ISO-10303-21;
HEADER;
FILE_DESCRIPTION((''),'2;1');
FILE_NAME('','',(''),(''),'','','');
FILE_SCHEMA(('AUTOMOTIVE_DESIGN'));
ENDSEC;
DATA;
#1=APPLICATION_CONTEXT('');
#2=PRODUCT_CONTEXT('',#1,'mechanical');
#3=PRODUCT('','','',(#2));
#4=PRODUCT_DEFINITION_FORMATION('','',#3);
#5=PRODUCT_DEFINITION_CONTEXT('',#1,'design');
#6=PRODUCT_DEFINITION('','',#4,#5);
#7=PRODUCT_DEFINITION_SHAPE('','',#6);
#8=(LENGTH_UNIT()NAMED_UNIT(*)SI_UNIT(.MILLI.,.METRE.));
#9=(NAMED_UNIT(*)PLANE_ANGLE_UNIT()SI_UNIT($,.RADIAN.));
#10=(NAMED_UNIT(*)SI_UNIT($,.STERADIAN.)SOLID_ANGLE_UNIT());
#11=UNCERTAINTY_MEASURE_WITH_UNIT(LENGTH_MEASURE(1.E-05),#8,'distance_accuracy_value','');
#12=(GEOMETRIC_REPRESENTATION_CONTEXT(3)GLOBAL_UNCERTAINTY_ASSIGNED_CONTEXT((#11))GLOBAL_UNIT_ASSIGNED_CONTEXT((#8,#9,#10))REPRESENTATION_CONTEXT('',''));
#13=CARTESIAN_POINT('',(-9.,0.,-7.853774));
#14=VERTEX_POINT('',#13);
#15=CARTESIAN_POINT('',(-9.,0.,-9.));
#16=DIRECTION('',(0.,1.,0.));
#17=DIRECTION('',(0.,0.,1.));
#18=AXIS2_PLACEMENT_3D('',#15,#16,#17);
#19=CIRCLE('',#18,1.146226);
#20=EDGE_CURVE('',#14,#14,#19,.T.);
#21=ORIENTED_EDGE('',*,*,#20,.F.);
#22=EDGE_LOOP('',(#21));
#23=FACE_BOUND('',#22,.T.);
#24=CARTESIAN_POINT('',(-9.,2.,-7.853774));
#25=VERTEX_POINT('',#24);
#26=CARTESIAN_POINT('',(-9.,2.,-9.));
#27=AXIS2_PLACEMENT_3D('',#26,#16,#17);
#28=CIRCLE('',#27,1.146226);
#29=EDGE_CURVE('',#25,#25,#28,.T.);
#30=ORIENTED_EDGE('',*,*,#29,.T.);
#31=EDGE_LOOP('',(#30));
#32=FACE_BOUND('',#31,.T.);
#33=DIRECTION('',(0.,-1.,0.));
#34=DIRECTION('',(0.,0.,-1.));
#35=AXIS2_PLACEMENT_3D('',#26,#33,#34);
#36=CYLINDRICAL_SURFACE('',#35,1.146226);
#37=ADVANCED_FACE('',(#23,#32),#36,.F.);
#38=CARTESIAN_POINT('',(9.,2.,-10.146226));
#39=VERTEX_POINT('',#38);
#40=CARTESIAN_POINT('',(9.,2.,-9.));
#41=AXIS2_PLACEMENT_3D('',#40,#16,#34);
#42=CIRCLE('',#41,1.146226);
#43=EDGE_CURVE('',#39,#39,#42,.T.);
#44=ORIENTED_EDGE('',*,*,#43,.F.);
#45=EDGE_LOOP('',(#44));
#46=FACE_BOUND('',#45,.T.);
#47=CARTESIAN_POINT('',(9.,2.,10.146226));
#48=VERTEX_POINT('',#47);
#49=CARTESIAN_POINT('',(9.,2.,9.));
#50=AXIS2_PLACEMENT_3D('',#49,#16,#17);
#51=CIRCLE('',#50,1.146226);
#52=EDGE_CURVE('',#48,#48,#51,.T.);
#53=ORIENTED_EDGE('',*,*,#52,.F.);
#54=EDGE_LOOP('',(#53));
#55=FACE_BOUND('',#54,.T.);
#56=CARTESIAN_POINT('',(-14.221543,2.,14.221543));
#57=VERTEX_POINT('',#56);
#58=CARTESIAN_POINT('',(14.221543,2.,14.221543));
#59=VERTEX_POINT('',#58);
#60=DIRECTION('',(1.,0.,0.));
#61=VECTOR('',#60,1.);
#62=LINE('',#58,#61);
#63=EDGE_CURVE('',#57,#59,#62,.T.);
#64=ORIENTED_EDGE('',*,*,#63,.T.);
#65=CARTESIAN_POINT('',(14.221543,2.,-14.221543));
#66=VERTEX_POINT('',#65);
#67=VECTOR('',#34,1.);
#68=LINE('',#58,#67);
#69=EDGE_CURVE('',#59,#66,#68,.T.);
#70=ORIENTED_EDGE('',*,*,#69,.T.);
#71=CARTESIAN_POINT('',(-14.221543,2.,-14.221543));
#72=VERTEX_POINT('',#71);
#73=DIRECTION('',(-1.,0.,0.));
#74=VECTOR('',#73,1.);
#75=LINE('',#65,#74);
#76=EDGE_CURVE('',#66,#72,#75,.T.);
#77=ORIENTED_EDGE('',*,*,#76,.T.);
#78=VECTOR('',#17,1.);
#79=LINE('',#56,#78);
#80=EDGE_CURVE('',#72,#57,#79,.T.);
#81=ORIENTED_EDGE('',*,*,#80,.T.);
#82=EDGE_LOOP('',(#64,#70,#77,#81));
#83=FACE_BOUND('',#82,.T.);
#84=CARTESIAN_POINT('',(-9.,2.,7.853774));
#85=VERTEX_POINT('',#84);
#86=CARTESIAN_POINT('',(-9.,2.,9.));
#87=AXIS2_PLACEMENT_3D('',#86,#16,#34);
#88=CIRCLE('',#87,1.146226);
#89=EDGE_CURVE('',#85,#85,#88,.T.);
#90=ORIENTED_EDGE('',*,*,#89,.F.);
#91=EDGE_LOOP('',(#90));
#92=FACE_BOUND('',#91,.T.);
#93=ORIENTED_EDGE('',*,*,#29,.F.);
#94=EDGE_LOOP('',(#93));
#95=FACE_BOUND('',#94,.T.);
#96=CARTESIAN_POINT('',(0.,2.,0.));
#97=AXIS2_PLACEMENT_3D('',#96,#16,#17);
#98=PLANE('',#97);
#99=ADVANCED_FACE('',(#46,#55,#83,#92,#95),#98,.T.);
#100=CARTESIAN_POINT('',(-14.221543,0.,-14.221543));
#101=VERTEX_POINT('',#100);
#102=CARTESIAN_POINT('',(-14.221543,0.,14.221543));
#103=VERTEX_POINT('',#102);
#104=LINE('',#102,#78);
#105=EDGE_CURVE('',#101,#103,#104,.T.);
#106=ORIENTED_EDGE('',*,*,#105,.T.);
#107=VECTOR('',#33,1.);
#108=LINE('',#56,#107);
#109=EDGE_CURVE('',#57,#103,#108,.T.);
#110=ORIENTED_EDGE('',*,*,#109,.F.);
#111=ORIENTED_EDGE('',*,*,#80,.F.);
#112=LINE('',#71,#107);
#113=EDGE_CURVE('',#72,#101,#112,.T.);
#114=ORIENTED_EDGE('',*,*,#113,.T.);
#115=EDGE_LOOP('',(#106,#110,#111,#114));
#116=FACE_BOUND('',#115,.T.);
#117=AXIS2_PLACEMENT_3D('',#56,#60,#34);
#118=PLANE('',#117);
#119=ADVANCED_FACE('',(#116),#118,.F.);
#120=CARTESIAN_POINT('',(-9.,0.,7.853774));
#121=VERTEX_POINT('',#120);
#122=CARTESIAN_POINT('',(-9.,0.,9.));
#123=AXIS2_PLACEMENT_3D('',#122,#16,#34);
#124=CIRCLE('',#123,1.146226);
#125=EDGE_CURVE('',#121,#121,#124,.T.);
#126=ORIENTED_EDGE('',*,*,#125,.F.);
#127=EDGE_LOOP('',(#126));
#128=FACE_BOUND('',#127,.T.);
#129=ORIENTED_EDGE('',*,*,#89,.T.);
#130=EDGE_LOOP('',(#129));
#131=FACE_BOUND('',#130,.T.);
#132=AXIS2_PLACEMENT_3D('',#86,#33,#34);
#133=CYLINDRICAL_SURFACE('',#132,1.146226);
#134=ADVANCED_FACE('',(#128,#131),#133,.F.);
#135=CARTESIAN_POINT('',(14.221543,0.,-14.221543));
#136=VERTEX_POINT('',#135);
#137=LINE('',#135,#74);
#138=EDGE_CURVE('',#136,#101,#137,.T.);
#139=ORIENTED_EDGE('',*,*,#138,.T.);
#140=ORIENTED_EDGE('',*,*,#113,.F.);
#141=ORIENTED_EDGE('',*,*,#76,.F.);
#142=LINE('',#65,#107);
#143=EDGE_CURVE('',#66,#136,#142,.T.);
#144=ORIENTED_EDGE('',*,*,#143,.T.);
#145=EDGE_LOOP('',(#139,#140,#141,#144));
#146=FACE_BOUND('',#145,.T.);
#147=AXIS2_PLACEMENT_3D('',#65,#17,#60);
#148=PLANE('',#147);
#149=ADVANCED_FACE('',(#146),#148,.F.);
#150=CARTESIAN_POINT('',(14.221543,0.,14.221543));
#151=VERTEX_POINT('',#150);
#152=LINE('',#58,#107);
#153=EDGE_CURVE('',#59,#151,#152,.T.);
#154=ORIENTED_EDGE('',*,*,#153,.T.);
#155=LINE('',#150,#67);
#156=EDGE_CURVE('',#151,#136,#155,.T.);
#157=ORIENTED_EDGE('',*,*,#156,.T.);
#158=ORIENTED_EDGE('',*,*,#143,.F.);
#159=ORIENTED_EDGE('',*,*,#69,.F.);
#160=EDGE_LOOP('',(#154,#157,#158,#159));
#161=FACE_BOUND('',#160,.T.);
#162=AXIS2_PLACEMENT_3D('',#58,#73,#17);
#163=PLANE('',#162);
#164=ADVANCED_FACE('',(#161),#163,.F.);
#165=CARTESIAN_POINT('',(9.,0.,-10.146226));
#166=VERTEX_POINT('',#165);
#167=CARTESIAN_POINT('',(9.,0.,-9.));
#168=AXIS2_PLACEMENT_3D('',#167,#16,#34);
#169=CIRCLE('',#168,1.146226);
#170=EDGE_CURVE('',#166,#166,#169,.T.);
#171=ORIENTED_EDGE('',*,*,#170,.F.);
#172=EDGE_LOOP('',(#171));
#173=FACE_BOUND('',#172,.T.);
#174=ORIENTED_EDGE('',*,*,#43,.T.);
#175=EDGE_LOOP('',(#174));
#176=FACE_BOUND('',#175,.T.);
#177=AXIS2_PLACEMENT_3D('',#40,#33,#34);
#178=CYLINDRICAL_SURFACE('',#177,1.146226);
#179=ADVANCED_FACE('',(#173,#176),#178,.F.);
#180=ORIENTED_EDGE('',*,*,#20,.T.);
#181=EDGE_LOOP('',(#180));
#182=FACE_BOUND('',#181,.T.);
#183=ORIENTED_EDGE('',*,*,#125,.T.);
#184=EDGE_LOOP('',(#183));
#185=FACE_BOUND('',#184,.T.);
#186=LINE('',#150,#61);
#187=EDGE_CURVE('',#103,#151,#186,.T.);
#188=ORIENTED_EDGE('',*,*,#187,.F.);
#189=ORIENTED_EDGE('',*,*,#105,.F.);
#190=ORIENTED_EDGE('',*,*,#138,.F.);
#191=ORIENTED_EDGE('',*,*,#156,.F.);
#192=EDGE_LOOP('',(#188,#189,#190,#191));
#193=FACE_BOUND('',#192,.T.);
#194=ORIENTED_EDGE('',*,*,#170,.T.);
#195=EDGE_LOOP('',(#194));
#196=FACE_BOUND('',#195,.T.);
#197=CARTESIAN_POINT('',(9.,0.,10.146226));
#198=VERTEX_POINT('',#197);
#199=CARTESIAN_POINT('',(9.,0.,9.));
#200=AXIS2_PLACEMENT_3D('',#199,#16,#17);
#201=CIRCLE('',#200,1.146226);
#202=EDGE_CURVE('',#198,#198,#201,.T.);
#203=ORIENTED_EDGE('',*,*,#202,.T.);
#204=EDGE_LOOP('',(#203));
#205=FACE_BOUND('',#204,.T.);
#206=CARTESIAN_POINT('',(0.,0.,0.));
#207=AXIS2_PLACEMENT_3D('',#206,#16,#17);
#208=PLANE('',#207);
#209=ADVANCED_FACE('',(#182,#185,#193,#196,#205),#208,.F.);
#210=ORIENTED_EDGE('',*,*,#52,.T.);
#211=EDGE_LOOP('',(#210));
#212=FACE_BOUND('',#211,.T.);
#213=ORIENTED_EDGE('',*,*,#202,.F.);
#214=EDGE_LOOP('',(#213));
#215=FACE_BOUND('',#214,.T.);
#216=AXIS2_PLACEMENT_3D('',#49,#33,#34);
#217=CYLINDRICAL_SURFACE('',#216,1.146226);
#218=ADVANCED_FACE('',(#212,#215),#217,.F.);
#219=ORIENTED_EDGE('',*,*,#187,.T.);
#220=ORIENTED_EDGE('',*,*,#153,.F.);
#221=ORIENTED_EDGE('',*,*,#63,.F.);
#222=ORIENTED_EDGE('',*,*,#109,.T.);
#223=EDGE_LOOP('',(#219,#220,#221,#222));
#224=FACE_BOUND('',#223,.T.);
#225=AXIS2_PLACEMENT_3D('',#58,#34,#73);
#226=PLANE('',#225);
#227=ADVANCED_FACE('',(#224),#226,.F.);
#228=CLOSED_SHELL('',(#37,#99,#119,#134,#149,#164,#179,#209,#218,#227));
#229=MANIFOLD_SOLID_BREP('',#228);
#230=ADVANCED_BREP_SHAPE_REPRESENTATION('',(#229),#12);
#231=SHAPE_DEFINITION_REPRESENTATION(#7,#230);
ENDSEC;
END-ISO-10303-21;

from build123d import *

# Parameters (mm, degrees)
SKETCH1_W           = 28.443085122
SKETCH1_H           = 28.443085122
SKETCH1_R           = 1.146225587
BOSS_EXTRUDE1_DEPTH = 2


with BuildPart() as part:
    # Sketch1 → Boss-Extrude1 (new body)
    with BuildSketch(Plane(origin=(0, 0, 0), x_dir=(1, 0, 0), z_dir=(0, 1, 0))):
        Rectangle(SKETCH1_W, SKETCH1_H)
        with Locations((-9, 9)):
            Circle(SKETCH1_R, mode=Mode.SUBTRACT)
        with Locations((9, 9)):
            Circle(SKETCH1_R, mode=Mode.SUBTRACT)
        with Locations((9, -9)):
            Circle(SKETCH1_R, mode=Mode.SUBTRACT)
        with Locations((-9, -9)):
            Circle(SKETCH1_R, mode=Mode.SUBTRACT)
    extrude(amount=BOSS_EXTRUDE1_DEPTH)


solid = part.part
